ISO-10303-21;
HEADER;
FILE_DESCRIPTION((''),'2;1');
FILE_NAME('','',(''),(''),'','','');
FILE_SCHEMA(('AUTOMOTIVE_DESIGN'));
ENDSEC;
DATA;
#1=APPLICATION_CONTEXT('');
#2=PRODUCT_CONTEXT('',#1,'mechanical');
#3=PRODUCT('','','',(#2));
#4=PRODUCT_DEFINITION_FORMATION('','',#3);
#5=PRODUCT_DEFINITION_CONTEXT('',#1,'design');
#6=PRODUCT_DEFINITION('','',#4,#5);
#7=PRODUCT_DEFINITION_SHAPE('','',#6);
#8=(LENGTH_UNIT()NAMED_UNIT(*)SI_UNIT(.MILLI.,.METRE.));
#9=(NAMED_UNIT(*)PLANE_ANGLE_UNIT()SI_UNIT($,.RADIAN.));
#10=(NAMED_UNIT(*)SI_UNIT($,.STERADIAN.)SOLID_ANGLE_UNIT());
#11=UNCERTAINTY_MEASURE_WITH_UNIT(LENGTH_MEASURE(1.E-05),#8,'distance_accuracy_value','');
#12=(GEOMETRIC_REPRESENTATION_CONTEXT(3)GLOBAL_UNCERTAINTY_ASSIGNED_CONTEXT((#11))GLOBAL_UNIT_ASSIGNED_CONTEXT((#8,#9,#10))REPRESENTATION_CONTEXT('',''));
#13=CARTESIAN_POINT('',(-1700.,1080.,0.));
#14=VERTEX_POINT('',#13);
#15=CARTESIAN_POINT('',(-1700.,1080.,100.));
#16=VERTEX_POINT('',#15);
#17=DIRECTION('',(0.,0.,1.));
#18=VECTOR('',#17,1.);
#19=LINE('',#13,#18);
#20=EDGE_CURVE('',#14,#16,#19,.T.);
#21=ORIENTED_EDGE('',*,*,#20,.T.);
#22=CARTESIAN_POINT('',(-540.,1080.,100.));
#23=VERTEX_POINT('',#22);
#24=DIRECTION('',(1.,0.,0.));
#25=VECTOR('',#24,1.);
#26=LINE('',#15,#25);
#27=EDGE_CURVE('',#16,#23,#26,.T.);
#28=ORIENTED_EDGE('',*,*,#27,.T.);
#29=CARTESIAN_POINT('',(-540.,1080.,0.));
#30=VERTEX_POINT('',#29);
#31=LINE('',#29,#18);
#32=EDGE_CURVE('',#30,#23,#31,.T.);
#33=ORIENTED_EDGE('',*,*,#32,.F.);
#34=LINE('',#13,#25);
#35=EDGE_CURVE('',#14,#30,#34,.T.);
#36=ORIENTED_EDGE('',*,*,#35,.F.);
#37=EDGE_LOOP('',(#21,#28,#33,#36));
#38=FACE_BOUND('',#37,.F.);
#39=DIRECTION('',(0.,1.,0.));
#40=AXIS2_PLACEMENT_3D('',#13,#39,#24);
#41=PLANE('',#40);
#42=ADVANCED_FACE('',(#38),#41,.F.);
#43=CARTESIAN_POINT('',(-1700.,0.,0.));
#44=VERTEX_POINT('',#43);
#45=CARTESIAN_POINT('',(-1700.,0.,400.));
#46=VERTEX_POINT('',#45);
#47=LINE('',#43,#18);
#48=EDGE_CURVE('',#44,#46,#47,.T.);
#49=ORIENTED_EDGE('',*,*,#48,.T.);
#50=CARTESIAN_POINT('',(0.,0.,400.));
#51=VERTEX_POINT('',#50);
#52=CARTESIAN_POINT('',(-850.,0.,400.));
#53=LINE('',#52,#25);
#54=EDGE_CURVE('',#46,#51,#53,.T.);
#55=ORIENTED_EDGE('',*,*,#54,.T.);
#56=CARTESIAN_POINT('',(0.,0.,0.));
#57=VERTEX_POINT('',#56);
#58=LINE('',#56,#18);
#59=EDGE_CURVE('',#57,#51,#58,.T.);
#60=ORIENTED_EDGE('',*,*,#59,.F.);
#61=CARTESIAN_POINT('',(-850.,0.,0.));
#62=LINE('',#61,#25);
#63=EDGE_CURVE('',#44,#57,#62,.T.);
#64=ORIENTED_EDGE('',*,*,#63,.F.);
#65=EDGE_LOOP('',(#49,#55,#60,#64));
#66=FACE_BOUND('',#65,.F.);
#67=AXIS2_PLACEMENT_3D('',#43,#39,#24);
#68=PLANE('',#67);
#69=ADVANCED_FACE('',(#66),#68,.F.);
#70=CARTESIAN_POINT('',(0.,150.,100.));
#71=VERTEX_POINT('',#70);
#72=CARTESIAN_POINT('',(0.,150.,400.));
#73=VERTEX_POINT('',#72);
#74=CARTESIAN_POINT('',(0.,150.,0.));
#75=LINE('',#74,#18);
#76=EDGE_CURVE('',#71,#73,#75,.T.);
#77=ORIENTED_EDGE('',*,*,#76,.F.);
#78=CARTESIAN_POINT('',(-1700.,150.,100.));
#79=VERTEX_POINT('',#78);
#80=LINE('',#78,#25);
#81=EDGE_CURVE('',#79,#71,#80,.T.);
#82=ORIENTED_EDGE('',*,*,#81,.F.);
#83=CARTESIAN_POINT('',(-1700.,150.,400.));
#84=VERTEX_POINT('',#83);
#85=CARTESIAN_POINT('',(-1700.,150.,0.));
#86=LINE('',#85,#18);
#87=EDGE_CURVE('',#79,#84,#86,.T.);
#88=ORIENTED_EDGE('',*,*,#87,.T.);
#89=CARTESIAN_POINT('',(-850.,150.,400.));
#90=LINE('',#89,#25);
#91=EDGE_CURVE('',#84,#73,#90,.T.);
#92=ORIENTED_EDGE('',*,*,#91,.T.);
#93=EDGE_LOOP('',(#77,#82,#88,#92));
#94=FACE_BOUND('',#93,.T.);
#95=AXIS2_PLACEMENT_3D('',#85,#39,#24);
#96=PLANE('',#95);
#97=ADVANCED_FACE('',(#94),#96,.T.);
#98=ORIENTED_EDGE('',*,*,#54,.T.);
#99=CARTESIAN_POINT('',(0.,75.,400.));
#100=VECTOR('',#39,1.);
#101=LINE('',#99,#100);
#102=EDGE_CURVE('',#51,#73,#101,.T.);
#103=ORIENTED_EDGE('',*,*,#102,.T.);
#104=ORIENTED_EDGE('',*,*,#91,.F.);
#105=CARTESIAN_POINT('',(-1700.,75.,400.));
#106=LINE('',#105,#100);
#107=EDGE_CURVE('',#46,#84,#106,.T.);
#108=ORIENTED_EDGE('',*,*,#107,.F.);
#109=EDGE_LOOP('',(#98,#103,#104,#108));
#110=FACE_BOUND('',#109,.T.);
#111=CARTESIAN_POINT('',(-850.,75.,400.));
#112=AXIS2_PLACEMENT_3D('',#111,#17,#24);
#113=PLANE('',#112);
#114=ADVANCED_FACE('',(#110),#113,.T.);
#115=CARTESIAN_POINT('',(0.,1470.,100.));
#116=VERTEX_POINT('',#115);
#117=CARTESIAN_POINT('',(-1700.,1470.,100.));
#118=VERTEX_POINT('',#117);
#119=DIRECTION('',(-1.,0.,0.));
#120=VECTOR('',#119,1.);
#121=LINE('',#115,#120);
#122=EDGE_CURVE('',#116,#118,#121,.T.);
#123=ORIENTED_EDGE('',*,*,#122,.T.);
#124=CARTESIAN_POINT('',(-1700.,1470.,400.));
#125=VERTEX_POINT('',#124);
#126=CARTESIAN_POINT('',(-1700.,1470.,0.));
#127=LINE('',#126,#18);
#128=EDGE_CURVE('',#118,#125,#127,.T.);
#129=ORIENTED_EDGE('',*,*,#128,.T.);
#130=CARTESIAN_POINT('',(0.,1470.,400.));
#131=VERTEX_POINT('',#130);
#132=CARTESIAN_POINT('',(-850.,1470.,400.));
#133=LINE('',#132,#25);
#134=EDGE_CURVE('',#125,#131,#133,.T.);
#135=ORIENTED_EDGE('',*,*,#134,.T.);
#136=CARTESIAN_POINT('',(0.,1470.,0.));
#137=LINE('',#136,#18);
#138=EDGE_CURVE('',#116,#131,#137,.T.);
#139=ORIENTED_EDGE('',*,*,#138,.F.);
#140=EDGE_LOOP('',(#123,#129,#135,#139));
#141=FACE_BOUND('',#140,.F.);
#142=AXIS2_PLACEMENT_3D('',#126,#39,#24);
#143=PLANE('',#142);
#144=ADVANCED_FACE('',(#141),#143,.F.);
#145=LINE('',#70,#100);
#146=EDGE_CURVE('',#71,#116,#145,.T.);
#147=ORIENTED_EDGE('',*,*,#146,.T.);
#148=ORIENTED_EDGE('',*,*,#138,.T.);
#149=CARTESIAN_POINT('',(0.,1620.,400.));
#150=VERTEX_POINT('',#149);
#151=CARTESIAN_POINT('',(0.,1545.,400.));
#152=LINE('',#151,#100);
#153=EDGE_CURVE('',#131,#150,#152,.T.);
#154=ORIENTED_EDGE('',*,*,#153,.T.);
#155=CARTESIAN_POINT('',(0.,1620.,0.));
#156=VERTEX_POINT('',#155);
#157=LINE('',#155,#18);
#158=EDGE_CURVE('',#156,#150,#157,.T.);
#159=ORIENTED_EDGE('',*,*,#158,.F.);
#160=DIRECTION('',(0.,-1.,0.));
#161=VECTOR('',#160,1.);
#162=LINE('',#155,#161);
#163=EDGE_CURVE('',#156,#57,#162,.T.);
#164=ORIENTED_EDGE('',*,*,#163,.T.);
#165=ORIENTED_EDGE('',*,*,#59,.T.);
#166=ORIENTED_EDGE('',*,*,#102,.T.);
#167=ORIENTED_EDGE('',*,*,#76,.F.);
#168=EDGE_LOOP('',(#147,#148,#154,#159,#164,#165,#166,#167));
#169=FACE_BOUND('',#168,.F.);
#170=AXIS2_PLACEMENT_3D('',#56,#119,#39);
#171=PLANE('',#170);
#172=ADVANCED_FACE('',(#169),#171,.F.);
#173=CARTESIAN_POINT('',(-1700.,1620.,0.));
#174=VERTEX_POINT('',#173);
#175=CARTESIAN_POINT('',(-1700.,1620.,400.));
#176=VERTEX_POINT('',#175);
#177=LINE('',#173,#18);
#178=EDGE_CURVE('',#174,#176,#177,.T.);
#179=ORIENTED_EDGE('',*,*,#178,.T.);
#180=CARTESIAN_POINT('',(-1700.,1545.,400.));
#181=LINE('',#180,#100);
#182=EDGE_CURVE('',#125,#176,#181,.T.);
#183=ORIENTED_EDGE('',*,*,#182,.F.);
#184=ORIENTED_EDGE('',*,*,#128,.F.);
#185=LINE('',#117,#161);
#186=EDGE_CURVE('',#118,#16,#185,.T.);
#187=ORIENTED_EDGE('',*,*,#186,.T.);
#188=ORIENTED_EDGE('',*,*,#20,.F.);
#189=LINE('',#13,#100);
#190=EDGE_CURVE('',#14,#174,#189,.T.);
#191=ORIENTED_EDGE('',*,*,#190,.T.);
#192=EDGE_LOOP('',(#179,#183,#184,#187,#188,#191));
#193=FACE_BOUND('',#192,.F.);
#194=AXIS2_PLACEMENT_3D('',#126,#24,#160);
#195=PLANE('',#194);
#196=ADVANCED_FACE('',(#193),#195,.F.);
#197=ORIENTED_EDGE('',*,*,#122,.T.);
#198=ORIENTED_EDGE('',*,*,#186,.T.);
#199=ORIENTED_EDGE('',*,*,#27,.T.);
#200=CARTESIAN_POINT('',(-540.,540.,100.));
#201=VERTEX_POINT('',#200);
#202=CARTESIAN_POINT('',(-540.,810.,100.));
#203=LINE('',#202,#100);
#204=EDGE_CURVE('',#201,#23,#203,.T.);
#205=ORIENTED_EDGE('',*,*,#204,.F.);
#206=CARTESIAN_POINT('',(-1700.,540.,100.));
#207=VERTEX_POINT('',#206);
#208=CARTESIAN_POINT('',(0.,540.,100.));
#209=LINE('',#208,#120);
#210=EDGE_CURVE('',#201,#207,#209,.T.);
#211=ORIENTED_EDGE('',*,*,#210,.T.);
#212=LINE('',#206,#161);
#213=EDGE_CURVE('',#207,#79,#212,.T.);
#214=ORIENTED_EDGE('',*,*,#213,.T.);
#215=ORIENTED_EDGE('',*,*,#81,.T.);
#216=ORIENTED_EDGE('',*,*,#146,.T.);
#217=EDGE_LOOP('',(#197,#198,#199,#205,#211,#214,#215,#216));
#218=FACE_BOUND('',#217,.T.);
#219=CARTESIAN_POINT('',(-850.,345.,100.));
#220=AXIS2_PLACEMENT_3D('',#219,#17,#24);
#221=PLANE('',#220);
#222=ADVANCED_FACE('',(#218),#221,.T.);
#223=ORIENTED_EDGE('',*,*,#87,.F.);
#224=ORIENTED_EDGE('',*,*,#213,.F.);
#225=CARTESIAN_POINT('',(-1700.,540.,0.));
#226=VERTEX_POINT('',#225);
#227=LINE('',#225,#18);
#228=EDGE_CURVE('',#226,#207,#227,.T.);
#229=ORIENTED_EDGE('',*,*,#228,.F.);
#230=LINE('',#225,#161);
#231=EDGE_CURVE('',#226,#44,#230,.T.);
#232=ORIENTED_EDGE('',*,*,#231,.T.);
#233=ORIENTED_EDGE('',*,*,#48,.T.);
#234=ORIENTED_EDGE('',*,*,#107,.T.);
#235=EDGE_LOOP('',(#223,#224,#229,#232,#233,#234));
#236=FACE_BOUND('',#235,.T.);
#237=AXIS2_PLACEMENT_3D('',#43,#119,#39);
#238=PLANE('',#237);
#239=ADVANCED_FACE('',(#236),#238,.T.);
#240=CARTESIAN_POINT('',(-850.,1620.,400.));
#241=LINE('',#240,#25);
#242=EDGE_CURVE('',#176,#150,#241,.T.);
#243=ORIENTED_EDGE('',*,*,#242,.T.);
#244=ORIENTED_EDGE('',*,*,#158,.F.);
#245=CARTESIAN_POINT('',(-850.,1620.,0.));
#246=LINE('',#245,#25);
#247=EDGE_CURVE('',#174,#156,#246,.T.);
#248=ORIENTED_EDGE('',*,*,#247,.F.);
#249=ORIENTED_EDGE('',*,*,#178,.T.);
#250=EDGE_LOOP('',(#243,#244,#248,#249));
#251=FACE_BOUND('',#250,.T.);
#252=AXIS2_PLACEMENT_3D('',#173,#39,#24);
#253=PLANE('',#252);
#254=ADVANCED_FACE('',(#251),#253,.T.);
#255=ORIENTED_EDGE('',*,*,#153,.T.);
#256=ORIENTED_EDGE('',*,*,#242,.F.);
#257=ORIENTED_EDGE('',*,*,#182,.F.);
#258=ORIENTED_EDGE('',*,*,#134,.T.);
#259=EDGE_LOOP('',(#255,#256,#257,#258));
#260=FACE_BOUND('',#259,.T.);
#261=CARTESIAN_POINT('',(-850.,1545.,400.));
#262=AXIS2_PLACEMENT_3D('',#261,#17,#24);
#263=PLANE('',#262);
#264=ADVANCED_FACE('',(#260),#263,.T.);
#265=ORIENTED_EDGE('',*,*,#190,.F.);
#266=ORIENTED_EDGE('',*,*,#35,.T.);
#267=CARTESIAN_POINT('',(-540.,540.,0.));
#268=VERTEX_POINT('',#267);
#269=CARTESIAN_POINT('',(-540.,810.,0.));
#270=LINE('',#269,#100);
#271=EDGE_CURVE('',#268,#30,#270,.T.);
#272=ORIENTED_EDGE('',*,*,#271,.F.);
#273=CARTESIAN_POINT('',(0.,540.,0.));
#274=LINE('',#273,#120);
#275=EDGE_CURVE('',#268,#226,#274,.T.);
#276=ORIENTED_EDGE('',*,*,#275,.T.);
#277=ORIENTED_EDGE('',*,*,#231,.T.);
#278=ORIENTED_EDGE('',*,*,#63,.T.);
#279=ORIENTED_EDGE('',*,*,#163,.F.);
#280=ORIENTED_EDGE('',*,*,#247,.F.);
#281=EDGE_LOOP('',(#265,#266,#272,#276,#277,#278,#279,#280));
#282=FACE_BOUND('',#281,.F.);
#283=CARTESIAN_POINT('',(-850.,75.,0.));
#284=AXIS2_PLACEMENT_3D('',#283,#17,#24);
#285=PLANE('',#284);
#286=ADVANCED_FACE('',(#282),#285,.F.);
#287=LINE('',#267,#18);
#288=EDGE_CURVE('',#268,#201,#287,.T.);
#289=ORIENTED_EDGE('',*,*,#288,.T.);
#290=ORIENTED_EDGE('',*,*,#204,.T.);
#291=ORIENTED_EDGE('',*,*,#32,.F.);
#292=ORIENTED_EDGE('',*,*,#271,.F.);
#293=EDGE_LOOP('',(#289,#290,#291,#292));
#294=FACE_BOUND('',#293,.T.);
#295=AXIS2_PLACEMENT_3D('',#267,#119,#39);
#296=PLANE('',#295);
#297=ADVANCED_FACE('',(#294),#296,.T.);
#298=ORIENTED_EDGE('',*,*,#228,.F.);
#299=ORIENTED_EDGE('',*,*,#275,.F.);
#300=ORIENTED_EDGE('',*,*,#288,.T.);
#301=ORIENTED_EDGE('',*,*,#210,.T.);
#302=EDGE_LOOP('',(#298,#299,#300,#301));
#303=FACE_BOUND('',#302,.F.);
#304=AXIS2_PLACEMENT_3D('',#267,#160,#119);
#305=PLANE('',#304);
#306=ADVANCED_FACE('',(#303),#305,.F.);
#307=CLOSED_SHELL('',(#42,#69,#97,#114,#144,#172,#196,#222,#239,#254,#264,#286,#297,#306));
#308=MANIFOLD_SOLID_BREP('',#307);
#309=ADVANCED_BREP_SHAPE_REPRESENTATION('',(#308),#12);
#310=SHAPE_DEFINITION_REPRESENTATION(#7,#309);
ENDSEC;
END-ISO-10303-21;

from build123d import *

# Parameters (mm, degrees)
F0_W     = 540
F0_H     = 540
F1_DEPTH = 100
F0_W_2   = 1700
F0_H_2   = 150
F2_DEPTH = 400


with BuildPart() as f1:
    # F0 (on Top) → F1 (new body)
    with BuildSketch(Plane.XY):
        Polygon((-1700, 150), (0, 150), (0, 540), (-540, 540), (-1700, 540), align=None)
        with Locations((-270, 810)):
            Rectangle(F0_W, F0_H)
        Polygon((-540, 1080), (0, 1080), (0, 1470), (-1700, 1470), (-1700, 1080), align=None)
    extrude(amount=F1_DEPTH)

    # F0 (on Top) → F2 (join)
    with BuildSketch(Plane.XY):
        with Locations((-850, 75)):
            Rectangle(F0_W_2, F0_H_2)
        with Locations((-850, 1545)):
            Rectangle(F0_W_2, F0_H_2)
    extrude(amount=F2_DEPTH)


solid = f1.part
